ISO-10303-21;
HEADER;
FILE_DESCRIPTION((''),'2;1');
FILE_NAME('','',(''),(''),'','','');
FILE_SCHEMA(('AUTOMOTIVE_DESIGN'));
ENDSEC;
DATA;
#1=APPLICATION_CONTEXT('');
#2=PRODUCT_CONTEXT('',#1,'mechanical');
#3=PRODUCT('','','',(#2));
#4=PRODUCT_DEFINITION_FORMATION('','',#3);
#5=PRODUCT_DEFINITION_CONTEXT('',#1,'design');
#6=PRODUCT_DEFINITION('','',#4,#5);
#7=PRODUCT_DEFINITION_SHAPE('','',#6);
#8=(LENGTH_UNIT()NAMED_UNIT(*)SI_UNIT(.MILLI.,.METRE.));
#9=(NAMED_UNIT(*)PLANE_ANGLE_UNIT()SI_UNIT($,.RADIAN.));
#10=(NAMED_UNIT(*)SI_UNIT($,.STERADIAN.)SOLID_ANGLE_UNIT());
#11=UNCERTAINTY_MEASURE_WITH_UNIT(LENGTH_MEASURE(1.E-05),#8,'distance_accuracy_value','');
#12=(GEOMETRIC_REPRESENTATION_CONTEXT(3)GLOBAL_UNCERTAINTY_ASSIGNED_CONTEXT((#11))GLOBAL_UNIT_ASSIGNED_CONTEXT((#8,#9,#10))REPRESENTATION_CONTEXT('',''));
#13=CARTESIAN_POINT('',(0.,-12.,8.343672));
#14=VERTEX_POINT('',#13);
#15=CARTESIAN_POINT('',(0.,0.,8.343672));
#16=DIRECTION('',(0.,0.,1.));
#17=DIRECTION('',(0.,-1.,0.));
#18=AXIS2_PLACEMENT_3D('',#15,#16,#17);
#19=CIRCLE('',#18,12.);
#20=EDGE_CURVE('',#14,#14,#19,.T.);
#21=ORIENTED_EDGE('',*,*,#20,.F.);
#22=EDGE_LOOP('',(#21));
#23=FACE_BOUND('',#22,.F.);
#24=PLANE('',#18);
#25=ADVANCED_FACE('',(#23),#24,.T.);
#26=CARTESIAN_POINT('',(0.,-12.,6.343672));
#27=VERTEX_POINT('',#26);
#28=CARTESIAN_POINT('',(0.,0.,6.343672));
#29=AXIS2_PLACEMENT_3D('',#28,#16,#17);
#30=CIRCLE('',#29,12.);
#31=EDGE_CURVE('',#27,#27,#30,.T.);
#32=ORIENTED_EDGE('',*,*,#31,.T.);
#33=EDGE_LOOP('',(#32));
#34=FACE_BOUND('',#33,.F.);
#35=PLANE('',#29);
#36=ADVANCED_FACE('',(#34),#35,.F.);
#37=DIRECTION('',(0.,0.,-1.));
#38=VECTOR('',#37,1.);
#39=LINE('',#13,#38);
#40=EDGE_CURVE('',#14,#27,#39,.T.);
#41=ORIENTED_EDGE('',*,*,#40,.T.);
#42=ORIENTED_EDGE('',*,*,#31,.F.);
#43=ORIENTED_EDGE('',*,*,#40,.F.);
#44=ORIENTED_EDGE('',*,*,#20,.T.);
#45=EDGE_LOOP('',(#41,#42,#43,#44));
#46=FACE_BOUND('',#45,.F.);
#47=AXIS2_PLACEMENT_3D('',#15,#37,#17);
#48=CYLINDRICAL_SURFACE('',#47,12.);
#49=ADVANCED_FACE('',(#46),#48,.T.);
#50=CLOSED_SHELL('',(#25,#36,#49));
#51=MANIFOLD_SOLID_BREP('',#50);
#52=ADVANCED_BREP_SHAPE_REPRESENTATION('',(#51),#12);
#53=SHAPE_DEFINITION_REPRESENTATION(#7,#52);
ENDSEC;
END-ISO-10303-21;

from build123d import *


with BuildPart() as f1:
    # F0 (on Right) → F1 (revolve)
    with BuildSketch(Plane.YZ):
        Polygon((-12, 6.343672), (-10, 6.343672), (0, 6.343672), (0, 8.343672), (-12, 8.343672), align=None)
    revolve(axis=Axis((0, 0, 7.343672), (0, 0, 1)))


solid = f1.part
